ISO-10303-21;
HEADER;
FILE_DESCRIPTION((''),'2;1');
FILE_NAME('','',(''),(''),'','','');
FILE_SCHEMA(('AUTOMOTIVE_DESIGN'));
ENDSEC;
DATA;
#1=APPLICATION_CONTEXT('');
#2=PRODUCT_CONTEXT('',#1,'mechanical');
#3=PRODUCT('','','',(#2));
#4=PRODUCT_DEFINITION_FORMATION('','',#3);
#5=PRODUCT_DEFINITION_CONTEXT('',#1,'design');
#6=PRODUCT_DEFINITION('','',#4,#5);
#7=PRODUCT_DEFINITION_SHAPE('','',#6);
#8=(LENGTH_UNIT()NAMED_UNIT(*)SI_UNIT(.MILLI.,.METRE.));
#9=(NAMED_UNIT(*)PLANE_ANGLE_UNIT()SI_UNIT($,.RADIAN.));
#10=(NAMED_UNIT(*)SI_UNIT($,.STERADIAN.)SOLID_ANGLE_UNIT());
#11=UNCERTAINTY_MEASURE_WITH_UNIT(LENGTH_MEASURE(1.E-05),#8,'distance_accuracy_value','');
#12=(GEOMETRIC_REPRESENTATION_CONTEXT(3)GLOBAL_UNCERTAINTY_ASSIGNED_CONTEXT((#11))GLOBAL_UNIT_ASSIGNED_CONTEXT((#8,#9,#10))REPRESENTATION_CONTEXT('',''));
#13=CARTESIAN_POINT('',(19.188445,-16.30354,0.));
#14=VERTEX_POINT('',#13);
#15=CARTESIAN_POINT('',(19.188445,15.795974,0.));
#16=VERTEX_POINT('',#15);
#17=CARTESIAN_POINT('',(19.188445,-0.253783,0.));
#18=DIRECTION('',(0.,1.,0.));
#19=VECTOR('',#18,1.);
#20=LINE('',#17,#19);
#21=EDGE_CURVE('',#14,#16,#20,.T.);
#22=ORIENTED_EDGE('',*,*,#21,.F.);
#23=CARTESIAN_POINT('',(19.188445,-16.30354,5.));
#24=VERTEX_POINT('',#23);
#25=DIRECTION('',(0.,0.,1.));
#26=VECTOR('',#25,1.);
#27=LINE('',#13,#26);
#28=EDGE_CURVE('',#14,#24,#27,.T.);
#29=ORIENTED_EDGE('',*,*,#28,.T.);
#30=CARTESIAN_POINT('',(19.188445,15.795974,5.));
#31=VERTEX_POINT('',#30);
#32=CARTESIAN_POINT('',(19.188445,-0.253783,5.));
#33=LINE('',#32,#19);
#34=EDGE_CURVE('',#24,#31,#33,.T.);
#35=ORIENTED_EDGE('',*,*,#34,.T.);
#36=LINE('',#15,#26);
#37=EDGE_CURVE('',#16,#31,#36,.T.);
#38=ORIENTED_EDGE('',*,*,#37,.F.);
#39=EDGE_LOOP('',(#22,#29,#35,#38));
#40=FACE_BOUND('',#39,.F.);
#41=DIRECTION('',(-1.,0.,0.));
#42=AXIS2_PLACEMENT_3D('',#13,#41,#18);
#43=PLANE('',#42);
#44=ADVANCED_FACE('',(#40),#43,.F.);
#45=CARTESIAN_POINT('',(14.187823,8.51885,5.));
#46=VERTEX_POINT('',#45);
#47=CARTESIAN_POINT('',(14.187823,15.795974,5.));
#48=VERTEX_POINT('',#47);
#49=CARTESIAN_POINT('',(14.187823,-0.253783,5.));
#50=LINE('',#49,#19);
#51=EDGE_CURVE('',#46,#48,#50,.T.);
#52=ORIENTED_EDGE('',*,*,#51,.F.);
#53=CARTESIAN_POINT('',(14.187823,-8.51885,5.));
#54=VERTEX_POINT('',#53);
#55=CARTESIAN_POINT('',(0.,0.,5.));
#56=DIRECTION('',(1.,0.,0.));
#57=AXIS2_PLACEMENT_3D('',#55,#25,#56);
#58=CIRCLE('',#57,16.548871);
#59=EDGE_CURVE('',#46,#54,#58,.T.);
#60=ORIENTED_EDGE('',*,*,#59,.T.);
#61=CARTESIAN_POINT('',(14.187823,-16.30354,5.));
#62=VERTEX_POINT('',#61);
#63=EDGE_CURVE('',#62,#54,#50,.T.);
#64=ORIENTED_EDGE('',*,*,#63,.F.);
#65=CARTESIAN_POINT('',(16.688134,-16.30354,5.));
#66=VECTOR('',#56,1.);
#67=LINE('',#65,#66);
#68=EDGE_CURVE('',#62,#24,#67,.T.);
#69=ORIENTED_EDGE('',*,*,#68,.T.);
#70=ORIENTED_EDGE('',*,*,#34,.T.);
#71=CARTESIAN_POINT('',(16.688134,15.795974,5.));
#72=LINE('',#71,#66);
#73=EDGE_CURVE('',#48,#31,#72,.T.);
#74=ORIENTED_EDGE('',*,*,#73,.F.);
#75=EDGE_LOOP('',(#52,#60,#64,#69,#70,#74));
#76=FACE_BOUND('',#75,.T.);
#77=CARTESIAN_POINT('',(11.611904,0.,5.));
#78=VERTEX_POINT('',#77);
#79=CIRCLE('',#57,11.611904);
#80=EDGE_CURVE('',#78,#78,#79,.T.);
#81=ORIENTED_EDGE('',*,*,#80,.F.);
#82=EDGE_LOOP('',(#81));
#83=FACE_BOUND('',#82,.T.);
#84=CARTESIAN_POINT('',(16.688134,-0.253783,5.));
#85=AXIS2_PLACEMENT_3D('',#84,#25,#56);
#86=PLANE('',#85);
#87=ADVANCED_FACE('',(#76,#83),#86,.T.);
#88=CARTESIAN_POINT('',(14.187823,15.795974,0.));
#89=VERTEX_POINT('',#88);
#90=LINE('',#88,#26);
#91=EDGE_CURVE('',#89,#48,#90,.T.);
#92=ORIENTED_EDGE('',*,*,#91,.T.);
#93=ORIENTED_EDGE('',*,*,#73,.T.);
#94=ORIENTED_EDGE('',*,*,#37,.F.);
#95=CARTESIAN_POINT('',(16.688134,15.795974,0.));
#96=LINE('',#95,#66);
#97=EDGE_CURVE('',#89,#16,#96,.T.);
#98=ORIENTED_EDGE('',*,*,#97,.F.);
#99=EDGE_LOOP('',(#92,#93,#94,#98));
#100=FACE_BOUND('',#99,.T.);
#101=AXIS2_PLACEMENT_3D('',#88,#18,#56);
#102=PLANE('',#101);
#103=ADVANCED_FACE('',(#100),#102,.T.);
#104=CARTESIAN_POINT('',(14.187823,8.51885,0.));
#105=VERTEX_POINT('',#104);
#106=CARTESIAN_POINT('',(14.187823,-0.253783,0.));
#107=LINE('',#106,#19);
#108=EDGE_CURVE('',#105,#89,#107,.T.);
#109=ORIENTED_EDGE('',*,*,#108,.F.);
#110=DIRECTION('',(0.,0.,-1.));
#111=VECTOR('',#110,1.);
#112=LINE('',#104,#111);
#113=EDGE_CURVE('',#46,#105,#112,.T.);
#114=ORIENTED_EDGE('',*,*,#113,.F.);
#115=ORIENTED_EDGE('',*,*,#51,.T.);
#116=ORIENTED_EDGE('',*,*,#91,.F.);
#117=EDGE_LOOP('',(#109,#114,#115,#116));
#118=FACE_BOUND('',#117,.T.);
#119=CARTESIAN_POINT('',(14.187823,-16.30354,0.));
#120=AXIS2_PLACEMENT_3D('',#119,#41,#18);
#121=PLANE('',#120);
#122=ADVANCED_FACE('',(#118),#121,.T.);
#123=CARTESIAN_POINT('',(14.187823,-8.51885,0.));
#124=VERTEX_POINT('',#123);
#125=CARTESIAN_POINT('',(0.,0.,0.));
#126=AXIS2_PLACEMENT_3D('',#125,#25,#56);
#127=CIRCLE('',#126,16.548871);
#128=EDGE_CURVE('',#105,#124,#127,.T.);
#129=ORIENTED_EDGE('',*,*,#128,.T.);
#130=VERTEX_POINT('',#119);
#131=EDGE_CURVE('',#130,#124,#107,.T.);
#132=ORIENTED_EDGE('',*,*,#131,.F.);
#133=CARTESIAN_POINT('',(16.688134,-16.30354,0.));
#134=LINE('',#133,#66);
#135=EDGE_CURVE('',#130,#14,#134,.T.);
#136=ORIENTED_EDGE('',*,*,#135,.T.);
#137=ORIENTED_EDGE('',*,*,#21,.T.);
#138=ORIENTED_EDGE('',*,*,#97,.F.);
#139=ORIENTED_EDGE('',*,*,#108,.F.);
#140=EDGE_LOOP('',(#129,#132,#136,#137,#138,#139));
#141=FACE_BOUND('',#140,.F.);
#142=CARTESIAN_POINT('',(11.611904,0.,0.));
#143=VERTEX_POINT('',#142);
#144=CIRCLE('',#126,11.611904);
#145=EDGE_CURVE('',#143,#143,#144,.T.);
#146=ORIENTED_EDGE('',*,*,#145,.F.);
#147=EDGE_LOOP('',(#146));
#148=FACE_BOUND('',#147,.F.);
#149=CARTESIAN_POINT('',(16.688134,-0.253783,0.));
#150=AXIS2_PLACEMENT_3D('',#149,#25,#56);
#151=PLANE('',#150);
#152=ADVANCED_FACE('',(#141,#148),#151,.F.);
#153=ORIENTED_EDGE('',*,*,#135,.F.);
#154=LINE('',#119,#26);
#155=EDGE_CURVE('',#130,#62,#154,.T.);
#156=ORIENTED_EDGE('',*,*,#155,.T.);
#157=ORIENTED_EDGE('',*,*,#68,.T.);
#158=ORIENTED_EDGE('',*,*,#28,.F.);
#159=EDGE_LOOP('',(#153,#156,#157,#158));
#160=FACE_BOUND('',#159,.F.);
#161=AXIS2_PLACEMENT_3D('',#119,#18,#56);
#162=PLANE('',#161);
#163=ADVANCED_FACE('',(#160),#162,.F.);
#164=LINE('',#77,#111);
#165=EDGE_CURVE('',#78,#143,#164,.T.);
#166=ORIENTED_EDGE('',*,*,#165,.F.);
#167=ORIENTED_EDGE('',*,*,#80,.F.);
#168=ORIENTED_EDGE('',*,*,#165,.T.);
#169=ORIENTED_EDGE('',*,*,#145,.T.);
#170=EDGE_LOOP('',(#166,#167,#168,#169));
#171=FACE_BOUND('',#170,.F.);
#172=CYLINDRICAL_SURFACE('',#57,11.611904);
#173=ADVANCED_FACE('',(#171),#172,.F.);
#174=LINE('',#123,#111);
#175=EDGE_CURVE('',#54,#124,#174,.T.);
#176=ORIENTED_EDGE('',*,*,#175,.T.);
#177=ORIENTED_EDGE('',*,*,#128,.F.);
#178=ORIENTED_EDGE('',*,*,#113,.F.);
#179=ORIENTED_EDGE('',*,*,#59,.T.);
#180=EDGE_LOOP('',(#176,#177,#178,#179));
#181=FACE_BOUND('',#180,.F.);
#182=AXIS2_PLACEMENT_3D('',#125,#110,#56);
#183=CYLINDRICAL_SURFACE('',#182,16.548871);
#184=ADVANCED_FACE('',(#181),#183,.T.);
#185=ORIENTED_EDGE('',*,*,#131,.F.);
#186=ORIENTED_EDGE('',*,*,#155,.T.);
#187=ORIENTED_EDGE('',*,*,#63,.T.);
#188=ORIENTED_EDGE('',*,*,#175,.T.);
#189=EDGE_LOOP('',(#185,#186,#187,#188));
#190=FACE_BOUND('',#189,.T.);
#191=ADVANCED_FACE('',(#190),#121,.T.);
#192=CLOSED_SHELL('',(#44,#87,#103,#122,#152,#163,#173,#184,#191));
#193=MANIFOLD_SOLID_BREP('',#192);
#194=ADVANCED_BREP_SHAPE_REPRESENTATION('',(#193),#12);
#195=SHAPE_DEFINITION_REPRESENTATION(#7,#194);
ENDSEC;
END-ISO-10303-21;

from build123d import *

# Parameters (mm, degrees)
F0_R     = 16.548871
F1_DEPTH = 5
F2_R     = 11.611904
F3_DEPTH = 5
F4_W     = 5.000622
F4_H     = 32.099514
F5_DEPTH = 5


with BuildPart() as f1:
    # F0 (on Top) → F1 (new body)
    with BuildSketch(Plane.XY):
        Circle(F0_R)
    extrude(amount=F1_DEPTH)

    # F2 (on face) → F3 (cut)
    with BuildSketch(Plane.XY.offset(5)):
        Circle(F2_R)
    extrude(amount=-F3_DEPTH, mode=Mode.SUBTRACT)

    # F4 (on Top) → F5 (join)
    with BuildSketch(Plane.XY):
        with Locations((16.688134, -0.253783)):
            Rectangle(F4_W, F4_H)
    extrude(amount=F5_DEPTH)


solid = f1.part
